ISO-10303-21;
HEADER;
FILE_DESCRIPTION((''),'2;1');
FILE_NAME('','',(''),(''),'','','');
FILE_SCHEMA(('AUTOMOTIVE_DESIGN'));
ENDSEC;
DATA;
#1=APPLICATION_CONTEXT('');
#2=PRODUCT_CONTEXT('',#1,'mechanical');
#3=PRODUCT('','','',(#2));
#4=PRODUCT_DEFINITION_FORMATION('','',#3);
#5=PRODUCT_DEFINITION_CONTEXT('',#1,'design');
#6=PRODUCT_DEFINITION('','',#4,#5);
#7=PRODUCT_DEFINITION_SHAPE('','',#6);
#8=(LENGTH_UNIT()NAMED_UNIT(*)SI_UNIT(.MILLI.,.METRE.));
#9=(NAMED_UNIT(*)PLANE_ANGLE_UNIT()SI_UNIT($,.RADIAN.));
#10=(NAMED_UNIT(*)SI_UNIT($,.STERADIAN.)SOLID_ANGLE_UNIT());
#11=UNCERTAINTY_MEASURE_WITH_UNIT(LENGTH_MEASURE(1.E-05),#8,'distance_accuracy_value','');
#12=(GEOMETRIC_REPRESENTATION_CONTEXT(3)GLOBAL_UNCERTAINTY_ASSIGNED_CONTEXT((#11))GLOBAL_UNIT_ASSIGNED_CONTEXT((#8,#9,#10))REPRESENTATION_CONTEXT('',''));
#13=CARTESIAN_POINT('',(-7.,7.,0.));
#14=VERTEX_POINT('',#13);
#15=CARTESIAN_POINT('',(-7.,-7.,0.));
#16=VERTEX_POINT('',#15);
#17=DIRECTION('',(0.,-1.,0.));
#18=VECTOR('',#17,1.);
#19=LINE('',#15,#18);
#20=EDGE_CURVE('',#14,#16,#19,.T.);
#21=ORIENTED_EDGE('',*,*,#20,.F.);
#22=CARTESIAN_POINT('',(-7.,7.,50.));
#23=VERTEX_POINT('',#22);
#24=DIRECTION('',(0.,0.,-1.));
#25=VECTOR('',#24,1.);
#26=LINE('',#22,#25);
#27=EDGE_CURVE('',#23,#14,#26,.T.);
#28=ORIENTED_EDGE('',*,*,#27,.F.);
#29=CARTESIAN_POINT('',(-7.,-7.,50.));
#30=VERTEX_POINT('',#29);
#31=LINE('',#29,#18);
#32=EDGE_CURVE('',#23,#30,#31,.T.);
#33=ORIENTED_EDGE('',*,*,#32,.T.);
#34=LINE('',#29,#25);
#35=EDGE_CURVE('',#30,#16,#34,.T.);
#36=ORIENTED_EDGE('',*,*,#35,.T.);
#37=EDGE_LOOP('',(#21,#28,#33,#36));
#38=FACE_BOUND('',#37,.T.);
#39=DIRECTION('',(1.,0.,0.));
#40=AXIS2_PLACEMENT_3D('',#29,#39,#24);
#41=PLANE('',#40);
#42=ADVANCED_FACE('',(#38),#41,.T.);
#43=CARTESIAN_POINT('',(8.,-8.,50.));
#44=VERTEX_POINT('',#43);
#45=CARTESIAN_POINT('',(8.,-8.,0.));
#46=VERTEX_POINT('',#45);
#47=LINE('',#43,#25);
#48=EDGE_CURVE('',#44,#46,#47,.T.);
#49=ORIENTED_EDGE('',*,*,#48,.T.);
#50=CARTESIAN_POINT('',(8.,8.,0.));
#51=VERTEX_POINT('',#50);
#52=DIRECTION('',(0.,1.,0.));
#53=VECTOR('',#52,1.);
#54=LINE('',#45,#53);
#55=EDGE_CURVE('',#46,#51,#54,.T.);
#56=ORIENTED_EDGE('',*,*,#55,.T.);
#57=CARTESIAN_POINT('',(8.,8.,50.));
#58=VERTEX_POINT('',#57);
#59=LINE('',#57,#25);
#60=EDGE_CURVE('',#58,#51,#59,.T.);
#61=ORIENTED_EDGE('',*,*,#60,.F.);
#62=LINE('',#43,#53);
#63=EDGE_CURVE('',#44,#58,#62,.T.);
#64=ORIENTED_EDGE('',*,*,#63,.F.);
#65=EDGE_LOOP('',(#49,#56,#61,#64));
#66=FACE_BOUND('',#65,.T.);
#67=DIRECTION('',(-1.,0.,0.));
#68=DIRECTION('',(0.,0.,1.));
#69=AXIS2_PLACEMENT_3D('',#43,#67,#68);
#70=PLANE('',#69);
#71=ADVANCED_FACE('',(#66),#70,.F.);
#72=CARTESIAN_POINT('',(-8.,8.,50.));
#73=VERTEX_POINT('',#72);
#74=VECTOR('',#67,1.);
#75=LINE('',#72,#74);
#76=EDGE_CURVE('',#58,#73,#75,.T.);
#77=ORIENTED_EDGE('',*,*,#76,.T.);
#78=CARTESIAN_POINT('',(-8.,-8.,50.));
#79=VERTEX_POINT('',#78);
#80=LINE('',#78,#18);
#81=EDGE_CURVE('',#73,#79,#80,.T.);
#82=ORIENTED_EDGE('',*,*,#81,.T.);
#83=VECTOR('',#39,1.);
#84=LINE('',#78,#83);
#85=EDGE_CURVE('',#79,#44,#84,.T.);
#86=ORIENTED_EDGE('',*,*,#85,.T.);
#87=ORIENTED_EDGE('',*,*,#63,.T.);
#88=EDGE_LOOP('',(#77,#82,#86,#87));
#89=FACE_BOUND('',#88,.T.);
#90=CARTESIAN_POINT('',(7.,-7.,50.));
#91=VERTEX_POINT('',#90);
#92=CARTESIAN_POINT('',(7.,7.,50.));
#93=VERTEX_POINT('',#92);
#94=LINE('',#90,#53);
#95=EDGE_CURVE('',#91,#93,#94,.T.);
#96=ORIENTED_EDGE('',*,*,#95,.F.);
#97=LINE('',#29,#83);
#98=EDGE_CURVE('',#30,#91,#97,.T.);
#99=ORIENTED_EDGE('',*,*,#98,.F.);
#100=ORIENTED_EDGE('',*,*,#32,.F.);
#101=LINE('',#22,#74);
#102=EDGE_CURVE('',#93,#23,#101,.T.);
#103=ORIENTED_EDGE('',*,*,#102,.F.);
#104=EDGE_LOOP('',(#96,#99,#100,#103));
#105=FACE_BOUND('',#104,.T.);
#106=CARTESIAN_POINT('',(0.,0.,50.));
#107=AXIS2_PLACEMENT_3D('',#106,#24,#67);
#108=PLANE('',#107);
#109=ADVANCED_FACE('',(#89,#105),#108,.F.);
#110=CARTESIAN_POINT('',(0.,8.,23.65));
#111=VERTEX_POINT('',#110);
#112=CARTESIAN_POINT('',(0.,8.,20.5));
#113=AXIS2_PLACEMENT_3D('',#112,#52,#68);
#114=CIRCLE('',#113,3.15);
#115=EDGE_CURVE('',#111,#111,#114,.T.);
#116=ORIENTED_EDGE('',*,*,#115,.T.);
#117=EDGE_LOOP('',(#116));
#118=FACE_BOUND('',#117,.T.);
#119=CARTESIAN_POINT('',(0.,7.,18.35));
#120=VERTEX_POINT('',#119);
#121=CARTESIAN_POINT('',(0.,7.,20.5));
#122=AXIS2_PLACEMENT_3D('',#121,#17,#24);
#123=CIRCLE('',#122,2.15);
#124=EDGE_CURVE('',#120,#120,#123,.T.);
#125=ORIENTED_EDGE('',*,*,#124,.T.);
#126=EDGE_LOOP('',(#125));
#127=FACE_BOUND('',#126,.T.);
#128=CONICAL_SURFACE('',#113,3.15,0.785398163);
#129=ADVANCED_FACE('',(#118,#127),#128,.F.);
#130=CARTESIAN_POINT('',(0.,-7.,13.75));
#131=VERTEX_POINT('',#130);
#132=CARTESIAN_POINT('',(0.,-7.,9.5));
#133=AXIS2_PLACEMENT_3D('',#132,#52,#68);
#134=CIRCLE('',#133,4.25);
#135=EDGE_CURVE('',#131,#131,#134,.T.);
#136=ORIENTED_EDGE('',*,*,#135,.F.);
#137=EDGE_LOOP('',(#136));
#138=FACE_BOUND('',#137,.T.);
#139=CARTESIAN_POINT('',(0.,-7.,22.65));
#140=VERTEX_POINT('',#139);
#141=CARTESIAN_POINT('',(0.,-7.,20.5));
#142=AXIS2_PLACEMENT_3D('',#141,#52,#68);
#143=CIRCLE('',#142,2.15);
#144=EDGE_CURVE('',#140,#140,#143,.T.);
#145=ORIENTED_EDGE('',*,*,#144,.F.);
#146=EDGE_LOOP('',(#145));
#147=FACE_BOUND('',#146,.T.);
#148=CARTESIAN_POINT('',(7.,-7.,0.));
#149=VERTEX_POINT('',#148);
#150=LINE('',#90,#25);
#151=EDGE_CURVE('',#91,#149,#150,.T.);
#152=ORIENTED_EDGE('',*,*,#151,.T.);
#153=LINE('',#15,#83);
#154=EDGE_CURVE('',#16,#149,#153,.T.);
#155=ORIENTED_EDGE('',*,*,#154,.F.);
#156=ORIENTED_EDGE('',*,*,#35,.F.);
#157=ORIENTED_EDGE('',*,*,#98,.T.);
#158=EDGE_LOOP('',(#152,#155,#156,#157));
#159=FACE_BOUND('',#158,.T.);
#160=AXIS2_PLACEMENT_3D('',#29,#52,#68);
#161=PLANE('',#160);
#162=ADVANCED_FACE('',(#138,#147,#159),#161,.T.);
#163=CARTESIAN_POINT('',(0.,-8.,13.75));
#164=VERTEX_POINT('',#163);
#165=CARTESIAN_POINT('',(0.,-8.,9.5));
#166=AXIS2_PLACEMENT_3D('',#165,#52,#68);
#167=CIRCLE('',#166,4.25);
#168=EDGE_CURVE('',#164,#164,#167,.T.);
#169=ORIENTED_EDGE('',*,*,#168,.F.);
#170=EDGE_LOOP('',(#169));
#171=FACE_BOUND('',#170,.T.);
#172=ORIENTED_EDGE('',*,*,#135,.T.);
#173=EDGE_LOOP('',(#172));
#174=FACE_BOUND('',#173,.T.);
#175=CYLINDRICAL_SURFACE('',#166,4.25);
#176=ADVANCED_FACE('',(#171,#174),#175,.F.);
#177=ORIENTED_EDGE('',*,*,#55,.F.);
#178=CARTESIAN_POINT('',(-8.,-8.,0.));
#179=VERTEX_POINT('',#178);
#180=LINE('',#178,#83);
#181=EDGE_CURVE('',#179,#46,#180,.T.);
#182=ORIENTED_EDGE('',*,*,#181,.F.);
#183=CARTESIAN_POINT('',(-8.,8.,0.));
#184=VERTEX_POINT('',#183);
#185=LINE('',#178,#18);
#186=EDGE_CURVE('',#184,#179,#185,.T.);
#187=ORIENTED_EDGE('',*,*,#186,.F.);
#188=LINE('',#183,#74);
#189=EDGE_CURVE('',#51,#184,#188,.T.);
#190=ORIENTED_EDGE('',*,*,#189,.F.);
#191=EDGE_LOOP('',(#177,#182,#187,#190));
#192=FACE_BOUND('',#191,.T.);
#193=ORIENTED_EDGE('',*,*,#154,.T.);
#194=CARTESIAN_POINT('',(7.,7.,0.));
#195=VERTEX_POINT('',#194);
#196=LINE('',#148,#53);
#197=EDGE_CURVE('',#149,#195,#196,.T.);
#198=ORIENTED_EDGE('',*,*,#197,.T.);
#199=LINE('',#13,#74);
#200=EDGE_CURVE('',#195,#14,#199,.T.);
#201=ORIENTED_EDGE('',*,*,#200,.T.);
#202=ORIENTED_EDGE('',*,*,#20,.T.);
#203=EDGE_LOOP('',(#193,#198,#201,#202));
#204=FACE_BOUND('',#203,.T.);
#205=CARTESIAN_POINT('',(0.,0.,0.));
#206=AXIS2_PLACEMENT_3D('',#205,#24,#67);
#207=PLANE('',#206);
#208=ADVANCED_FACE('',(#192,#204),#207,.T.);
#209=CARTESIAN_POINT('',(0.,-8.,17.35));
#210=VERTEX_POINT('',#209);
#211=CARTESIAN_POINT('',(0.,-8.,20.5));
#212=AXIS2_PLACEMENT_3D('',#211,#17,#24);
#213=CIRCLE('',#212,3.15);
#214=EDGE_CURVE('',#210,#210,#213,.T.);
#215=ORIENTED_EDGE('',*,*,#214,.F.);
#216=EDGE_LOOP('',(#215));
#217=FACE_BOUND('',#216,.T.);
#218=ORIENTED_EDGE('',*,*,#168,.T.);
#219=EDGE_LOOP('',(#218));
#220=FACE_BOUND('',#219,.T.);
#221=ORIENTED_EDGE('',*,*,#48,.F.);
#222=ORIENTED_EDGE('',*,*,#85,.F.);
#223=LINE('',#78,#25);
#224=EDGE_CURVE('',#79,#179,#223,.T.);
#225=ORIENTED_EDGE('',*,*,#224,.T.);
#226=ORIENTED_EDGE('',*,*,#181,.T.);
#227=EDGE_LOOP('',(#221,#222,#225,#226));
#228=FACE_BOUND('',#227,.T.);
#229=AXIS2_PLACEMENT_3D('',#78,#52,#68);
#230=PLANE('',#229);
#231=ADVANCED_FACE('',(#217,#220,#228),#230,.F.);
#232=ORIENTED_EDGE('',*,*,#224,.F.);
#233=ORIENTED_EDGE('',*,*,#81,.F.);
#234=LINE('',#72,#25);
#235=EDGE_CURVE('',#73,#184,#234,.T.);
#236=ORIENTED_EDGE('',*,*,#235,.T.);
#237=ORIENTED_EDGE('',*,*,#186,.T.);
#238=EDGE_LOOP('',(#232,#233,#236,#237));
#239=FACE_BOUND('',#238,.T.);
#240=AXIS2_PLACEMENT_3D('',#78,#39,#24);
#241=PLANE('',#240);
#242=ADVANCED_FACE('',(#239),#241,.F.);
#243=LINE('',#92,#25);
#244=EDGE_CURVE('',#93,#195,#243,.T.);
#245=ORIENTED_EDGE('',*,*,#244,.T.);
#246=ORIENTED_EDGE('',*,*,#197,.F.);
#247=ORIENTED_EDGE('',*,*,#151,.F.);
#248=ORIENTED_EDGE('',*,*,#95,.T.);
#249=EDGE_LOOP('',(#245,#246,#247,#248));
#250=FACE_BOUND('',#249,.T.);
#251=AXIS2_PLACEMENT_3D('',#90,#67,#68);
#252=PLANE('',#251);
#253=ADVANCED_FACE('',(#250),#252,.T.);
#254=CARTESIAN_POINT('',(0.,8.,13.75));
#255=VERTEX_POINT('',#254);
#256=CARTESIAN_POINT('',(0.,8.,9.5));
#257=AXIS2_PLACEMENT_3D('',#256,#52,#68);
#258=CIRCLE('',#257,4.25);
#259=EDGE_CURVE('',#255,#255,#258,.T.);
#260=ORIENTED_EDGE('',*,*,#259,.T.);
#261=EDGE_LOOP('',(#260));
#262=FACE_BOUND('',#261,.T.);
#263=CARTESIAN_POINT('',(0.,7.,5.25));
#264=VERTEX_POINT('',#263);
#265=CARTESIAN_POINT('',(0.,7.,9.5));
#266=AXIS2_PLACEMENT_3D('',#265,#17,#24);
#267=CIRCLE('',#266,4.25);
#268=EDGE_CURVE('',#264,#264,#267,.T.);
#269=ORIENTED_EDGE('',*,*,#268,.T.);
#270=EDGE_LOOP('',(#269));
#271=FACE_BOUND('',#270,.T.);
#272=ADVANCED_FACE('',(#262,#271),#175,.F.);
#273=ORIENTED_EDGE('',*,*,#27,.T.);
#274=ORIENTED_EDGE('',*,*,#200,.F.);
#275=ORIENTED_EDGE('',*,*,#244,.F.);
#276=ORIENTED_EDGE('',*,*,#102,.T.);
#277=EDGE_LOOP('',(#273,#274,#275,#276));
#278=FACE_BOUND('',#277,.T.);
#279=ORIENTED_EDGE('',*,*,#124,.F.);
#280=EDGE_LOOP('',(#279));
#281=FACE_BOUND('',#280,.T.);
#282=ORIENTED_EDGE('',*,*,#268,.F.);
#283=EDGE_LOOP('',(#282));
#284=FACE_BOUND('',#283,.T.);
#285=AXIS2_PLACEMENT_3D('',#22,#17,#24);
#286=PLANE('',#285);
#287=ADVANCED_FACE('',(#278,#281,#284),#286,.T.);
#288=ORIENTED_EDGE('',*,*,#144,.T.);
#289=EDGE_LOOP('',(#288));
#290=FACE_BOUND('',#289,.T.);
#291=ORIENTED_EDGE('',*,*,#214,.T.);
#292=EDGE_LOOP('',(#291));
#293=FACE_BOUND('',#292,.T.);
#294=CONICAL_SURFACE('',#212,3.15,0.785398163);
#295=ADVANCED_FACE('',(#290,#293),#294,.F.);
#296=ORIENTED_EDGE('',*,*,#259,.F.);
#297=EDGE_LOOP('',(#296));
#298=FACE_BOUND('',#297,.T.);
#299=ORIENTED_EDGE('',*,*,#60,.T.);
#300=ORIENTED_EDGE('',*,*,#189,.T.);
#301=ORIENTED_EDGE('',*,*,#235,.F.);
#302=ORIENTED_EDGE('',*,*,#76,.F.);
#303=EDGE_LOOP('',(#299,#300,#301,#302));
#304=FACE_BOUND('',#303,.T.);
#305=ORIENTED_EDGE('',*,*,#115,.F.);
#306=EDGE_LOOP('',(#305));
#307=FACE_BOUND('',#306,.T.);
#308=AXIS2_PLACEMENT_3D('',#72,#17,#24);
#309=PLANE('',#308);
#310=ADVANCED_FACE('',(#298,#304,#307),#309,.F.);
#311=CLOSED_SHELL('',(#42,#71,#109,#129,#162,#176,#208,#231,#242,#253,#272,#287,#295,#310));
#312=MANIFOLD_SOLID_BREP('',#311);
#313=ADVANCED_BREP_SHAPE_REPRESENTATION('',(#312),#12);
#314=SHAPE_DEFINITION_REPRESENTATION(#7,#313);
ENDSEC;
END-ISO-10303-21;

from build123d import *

# Parameters (mm, degrees)
SKETCH1_W                                       = 16
SKETCH1_H                                       = 16
SKETCH1_W_2                                     = 14
SKETCH1_H_2                                     = 14
BOSS_EXTRUDE1_DEPTH                             = 50
SKETCH2_R                                       = 4.25
CUT_EXTRUDE1_DEPTH                              = 54.103672189
CSK_FOR_M3_FLAT_HEAD_MACHINE_SCREW1_D           = 3.4
CSK_FOR_M3_FLAT_HEAD_MACHINE_SCREW1_CSINK_D     = 6.3
CSK_FOR_M3_FLAT_HEAD_MACHINE_SCREW1_CSINK_ANGLE = 90


with BuildPart() as part:
    # Sketch1 → Boss-Extrude1 (new body)
    with BuildSketch(Plane.XY):
        Rectangle(SKETCH1_W, SKETCH1_H)
        Rectangle(SKETCH1_W_2, SKETCH1_H_2, mode=Mode.SUBTRACT)
    extrude(amount=BOSS_EXTRUDE1_DEPTH)

    # Sketch2 → Cut-Extrude1 (cut, through all)
    with BuildSketch(Plane(origin=(0, 8, 0), x_dir=(1, 0, 0), z_dir=(0, 1, 0))):
        with Locations((0, -9.5)):
            Circle(SKETCH2_R)
    extrude(amount=-CUT_EXTRUDE1_DEPTH, mode=Mode.SUBTRACT)

    # CSK for M3 Flat Head Machine Screw1 (through all)
    with Locations(Plane(origin=(0, 8, 20.5), x_dir=(0, 0, 1), z_dir=(0, 1, 0))):
        with Locations((0, 0)):
            csk_for_m3_flat_head_machine_screw1 = CounterSinkHole(CSK_FOR_M3_FLAT_HEAD_MACHINE_SCREW1_D / 2, CSK_FOR_M3_FLAT_HEAD_MACHINE_SCREW1_CSINK_D / 2, counter_sink_angle=CSK_FOR_M3_FLAT_HEAD_MACHINE_SCREW1_CSINK_ANGLE)

    # Mirror1: CSK for M3 Flat Head Machine Screw1 across plane
    add(csk_for_m3_flat_head_machine_screw1.mirror(Plane.ZX), mode=Mode.SUBTRACT)


solid = part.part
